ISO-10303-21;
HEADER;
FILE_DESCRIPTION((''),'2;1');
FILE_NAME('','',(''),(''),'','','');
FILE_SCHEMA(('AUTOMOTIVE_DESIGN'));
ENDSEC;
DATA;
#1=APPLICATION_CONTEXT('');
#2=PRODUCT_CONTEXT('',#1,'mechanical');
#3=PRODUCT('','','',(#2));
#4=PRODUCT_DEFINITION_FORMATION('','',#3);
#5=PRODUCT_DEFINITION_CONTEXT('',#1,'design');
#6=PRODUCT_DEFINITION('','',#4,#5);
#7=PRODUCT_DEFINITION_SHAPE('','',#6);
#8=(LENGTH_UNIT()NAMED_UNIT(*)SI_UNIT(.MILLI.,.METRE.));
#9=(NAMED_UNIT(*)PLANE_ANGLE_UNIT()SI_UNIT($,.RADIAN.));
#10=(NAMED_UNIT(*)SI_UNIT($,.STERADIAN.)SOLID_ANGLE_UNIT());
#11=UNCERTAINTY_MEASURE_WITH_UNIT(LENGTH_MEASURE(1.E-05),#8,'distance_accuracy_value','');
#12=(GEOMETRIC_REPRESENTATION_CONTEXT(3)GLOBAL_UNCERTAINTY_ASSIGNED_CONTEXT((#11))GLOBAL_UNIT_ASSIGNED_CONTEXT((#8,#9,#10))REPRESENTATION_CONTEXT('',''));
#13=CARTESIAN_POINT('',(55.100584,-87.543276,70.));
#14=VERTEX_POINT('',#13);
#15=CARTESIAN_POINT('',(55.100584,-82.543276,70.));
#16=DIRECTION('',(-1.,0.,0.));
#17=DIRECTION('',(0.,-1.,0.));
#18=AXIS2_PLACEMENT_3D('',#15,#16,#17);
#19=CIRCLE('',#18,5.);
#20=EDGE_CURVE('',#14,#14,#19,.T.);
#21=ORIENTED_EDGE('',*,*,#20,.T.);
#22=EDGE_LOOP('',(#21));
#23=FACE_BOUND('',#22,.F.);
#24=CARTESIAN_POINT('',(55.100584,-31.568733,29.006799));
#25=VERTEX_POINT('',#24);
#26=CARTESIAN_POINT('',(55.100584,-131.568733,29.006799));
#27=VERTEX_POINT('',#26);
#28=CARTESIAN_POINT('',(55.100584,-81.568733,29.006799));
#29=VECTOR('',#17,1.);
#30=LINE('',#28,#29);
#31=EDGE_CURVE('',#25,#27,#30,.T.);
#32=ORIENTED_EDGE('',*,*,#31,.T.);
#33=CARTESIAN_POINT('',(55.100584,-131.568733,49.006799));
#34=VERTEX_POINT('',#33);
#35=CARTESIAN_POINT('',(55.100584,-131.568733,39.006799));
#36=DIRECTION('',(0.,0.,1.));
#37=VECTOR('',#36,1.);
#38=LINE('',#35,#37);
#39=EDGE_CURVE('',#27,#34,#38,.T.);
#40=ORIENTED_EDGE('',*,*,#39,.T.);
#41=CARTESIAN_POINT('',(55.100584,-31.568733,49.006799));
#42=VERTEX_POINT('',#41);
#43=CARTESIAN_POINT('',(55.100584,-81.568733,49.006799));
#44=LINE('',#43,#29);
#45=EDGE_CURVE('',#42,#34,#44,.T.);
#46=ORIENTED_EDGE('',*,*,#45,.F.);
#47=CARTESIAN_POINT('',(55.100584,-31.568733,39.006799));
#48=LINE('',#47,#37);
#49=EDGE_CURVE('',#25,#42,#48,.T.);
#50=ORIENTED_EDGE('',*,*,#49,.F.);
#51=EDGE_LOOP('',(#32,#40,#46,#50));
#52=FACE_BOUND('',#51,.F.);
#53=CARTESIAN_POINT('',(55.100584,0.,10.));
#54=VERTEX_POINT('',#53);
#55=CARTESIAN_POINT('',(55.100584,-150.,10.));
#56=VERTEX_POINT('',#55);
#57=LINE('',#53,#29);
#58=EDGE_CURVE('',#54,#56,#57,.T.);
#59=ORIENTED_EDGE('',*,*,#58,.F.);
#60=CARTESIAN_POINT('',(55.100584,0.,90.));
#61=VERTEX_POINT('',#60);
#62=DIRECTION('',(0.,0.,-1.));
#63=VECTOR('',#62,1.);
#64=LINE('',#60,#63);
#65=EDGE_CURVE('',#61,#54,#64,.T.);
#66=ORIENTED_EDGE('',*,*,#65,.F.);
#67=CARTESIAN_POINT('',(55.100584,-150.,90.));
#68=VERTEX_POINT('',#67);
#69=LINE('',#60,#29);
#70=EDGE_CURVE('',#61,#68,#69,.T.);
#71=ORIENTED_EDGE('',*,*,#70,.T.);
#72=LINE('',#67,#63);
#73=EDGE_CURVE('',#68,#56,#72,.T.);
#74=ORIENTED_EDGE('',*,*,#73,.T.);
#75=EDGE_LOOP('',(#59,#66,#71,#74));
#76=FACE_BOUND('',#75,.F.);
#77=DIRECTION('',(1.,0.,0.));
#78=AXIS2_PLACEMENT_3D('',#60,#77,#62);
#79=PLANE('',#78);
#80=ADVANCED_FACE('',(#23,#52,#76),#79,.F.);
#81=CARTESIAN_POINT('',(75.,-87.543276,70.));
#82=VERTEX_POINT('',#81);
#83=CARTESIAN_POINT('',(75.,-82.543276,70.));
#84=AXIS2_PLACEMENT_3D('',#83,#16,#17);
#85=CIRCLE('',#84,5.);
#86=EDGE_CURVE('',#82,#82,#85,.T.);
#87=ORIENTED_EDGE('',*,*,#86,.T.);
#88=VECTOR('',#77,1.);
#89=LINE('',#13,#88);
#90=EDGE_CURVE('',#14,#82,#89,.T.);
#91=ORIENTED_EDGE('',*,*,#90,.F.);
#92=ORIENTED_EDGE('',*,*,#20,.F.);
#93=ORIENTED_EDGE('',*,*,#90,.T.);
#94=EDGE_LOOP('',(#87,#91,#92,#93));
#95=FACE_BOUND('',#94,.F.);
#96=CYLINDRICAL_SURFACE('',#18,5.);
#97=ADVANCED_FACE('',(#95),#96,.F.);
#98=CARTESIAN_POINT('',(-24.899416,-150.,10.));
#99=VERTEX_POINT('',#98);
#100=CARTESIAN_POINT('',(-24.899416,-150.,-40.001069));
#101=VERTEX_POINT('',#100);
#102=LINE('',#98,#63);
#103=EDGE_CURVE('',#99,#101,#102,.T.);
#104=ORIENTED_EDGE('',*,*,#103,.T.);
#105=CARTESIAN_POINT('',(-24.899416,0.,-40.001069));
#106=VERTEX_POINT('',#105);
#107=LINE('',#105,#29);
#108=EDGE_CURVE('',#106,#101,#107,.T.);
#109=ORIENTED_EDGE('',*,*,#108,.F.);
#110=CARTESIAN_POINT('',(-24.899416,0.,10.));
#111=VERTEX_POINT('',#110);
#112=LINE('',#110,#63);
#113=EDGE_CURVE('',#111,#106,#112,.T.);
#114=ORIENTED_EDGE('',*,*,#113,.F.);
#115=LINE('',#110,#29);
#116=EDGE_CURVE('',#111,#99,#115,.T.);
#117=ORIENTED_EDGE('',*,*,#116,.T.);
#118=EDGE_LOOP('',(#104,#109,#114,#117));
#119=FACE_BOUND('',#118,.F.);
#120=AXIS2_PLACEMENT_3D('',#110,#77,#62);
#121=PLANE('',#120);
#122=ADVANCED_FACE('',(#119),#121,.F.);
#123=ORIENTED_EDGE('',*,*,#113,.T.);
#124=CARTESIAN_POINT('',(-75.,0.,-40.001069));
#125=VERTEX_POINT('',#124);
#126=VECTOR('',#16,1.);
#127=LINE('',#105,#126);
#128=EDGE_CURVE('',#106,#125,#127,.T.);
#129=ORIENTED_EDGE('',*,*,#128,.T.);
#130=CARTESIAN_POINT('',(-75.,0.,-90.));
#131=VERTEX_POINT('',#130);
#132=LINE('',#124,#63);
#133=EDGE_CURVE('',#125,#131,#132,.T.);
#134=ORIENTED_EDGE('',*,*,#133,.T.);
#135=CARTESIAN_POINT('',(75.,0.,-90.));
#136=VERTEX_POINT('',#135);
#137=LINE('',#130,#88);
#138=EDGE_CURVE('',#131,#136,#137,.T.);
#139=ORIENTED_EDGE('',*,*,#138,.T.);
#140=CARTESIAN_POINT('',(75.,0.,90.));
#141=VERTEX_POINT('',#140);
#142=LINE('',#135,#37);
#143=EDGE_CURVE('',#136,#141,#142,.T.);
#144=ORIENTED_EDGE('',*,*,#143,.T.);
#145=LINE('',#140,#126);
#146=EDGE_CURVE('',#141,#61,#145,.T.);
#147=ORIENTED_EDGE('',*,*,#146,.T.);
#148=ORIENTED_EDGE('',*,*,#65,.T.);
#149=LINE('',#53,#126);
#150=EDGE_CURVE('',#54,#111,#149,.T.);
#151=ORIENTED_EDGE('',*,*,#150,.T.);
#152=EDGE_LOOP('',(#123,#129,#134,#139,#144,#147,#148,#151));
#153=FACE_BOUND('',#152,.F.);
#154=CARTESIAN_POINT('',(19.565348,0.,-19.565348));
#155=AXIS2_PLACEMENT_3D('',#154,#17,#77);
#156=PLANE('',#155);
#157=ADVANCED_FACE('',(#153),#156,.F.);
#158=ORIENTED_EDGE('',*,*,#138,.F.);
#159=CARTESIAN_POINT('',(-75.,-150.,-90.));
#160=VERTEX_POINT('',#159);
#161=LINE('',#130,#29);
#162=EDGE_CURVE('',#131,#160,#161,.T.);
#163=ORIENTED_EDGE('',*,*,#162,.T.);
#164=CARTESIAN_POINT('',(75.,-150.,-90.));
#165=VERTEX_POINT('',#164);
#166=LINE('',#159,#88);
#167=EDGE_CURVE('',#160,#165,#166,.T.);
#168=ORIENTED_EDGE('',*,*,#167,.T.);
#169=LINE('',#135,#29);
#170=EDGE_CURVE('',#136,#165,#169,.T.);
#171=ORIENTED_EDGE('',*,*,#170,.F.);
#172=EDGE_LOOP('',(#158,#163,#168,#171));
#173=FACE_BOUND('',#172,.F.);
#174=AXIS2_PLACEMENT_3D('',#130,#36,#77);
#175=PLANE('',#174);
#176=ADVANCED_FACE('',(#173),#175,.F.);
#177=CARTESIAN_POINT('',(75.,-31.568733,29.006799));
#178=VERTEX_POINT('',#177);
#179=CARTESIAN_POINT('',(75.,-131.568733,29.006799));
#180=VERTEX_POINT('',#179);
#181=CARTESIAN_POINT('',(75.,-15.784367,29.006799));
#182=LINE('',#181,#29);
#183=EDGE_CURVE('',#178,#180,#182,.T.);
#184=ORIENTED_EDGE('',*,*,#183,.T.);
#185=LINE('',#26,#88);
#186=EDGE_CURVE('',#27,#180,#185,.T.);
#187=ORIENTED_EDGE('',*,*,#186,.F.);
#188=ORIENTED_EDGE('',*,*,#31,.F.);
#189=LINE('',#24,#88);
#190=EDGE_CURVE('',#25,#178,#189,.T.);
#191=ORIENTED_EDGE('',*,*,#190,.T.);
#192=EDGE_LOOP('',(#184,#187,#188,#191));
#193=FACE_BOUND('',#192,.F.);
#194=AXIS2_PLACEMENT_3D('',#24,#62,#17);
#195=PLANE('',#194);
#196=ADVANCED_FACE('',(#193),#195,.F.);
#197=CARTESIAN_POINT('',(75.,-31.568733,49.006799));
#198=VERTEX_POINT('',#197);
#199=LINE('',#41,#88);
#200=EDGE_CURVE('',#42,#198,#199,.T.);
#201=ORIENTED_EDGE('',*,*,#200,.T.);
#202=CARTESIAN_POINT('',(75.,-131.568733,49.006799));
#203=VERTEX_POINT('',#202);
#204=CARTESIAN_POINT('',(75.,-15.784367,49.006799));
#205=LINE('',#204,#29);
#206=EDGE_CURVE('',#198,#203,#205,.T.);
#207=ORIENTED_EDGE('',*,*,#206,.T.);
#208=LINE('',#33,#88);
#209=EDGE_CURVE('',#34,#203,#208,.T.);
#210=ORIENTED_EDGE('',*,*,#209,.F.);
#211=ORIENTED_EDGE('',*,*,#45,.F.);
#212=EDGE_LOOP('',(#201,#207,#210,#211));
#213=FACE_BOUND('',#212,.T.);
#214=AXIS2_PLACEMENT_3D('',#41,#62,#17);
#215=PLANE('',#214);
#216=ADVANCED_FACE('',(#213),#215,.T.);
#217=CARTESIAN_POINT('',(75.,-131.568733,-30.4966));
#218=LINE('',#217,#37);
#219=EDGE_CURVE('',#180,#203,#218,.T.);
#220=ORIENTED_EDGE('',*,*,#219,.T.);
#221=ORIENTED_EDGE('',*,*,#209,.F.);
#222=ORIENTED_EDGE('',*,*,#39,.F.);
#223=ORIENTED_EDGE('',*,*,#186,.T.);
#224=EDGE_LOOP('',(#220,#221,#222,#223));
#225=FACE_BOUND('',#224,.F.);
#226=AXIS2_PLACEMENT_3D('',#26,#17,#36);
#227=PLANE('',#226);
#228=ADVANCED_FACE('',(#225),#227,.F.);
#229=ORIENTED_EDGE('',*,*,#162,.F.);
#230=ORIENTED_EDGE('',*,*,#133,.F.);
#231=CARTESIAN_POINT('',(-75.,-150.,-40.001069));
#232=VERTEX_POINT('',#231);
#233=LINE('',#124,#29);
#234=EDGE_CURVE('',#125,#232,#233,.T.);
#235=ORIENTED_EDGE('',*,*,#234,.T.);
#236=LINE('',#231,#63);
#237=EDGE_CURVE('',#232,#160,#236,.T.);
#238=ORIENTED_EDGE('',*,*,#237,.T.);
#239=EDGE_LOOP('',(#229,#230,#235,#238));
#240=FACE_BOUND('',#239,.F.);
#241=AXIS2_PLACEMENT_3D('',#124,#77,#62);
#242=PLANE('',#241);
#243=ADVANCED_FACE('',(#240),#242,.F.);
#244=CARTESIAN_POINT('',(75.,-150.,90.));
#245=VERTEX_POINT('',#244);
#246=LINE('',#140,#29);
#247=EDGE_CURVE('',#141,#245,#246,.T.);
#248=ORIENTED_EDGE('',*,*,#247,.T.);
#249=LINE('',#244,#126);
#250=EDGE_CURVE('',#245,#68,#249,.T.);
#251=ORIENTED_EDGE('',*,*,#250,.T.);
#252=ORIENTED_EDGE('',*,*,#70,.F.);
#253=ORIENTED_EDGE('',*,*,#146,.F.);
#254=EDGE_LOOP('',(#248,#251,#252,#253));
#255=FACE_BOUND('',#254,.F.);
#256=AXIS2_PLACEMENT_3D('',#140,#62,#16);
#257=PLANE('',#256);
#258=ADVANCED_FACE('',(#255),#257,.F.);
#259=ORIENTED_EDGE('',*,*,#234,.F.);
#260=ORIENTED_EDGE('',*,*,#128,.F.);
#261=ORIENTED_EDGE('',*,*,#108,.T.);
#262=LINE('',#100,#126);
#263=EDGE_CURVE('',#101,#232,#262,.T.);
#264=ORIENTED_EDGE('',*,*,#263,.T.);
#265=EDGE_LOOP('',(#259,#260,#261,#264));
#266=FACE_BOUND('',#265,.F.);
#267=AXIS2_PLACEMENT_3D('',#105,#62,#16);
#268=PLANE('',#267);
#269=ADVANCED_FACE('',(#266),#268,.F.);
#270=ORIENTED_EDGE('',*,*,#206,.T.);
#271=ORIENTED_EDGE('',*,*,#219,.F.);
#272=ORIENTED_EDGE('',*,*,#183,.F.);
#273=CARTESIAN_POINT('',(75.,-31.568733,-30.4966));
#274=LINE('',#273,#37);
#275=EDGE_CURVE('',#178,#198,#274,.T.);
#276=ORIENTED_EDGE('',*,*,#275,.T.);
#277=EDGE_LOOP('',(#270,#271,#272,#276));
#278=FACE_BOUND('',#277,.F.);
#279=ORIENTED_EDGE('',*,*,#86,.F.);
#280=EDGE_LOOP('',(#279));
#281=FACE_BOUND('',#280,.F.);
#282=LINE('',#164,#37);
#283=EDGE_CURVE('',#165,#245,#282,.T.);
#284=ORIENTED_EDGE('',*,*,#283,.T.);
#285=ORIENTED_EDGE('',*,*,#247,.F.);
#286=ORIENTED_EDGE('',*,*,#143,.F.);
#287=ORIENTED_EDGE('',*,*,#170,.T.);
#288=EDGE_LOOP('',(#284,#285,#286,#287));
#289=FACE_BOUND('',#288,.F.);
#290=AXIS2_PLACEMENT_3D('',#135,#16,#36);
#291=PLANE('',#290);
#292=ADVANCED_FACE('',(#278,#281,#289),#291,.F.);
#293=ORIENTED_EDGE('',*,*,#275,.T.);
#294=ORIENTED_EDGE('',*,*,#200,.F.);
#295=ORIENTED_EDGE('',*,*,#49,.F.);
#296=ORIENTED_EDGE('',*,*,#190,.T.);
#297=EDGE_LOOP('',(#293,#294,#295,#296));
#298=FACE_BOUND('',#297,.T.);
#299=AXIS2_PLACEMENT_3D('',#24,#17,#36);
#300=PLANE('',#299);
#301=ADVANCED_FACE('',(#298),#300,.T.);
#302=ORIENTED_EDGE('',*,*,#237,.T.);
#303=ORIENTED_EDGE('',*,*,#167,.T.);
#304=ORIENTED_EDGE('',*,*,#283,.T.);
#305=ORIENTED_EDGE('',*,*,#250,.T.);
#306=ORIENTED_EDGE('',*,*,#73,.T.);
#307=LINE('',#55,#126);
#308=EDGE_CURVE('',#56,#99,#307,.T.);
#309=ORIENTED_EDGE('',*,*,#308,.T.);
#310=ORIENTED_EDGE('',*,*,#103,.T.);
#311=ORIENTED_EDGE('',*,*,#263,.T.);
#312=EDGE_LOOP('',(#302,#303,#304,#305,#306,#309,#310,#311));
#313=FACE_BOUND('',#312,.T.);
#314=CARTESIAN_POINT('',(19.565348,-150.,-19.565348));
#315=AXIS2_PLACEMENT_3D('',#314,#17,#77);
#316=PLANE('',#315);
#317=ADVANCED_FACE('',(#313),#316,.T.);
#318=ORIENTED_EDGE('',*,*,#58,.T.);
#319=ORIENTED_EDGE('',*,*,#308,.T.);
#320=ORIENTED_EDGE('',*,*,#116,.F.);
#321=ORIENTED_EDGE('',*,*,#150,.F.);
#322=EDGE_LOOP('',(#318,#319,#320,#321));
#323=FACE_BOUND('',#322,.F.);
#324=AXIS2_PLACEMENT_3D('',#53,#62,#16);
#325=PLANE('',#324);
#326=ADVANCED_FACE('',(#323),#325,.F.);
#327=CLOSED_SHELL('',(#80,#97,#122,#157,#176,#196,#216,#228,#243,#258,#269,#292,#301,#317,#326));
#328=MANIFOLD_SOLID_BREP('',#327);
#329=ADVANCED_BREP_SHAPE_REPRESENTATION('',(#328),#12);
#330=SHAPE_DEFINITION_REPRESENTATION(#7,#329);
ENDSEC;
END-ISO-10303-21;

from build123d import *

# Parameters (mm, degrees)
F1_DEPTH = 150
F2_R     = 5
F3_DEPTH = 19.900416
F4_W     = 100
F4_H     = 20
F5_DEPTH = 19.900416


with BuildPart() as f1:
    # F0 (on Front) → F1 (new body)
    with BuildSketch(Plane.XZ):
        Polygon((75, 90), (55.100584, 90), (55.100584, 10), (-24.899416, 10), (-24.899416, -40.001069), (-75, -40.001069), (-75, -90), (75, -90), align=None)
    extrude(amount=F1_DEPTH)

    # F2 (on face) → F3 (cut, through all)
    with BuildSketch(Plane(origin=(55.100584, 0, 0), x_dir=(0, -1, 0), z_dir=(-1, 0, 0))):
        with Locations((82.543276, 70)):
            Circle(F2_R)
    extrude(amount=-F3_DEPTH, mode=Mode.SUBTRACT)

    # F4 (on face) → F5 (cut, through all)
    with BuildSketch(Plane(origin=(55.100584, 0, 0), x_dir=(0, -1, 0), z_dir=(-1, 0, 0))):
        with Locations((81.568733, 39.006799)):
            Rectangle(F4_W, F4_H)
    extrude(amount=-F5_DEPTH, mode=Mode.SUBTRACT)


solid = f1.part
